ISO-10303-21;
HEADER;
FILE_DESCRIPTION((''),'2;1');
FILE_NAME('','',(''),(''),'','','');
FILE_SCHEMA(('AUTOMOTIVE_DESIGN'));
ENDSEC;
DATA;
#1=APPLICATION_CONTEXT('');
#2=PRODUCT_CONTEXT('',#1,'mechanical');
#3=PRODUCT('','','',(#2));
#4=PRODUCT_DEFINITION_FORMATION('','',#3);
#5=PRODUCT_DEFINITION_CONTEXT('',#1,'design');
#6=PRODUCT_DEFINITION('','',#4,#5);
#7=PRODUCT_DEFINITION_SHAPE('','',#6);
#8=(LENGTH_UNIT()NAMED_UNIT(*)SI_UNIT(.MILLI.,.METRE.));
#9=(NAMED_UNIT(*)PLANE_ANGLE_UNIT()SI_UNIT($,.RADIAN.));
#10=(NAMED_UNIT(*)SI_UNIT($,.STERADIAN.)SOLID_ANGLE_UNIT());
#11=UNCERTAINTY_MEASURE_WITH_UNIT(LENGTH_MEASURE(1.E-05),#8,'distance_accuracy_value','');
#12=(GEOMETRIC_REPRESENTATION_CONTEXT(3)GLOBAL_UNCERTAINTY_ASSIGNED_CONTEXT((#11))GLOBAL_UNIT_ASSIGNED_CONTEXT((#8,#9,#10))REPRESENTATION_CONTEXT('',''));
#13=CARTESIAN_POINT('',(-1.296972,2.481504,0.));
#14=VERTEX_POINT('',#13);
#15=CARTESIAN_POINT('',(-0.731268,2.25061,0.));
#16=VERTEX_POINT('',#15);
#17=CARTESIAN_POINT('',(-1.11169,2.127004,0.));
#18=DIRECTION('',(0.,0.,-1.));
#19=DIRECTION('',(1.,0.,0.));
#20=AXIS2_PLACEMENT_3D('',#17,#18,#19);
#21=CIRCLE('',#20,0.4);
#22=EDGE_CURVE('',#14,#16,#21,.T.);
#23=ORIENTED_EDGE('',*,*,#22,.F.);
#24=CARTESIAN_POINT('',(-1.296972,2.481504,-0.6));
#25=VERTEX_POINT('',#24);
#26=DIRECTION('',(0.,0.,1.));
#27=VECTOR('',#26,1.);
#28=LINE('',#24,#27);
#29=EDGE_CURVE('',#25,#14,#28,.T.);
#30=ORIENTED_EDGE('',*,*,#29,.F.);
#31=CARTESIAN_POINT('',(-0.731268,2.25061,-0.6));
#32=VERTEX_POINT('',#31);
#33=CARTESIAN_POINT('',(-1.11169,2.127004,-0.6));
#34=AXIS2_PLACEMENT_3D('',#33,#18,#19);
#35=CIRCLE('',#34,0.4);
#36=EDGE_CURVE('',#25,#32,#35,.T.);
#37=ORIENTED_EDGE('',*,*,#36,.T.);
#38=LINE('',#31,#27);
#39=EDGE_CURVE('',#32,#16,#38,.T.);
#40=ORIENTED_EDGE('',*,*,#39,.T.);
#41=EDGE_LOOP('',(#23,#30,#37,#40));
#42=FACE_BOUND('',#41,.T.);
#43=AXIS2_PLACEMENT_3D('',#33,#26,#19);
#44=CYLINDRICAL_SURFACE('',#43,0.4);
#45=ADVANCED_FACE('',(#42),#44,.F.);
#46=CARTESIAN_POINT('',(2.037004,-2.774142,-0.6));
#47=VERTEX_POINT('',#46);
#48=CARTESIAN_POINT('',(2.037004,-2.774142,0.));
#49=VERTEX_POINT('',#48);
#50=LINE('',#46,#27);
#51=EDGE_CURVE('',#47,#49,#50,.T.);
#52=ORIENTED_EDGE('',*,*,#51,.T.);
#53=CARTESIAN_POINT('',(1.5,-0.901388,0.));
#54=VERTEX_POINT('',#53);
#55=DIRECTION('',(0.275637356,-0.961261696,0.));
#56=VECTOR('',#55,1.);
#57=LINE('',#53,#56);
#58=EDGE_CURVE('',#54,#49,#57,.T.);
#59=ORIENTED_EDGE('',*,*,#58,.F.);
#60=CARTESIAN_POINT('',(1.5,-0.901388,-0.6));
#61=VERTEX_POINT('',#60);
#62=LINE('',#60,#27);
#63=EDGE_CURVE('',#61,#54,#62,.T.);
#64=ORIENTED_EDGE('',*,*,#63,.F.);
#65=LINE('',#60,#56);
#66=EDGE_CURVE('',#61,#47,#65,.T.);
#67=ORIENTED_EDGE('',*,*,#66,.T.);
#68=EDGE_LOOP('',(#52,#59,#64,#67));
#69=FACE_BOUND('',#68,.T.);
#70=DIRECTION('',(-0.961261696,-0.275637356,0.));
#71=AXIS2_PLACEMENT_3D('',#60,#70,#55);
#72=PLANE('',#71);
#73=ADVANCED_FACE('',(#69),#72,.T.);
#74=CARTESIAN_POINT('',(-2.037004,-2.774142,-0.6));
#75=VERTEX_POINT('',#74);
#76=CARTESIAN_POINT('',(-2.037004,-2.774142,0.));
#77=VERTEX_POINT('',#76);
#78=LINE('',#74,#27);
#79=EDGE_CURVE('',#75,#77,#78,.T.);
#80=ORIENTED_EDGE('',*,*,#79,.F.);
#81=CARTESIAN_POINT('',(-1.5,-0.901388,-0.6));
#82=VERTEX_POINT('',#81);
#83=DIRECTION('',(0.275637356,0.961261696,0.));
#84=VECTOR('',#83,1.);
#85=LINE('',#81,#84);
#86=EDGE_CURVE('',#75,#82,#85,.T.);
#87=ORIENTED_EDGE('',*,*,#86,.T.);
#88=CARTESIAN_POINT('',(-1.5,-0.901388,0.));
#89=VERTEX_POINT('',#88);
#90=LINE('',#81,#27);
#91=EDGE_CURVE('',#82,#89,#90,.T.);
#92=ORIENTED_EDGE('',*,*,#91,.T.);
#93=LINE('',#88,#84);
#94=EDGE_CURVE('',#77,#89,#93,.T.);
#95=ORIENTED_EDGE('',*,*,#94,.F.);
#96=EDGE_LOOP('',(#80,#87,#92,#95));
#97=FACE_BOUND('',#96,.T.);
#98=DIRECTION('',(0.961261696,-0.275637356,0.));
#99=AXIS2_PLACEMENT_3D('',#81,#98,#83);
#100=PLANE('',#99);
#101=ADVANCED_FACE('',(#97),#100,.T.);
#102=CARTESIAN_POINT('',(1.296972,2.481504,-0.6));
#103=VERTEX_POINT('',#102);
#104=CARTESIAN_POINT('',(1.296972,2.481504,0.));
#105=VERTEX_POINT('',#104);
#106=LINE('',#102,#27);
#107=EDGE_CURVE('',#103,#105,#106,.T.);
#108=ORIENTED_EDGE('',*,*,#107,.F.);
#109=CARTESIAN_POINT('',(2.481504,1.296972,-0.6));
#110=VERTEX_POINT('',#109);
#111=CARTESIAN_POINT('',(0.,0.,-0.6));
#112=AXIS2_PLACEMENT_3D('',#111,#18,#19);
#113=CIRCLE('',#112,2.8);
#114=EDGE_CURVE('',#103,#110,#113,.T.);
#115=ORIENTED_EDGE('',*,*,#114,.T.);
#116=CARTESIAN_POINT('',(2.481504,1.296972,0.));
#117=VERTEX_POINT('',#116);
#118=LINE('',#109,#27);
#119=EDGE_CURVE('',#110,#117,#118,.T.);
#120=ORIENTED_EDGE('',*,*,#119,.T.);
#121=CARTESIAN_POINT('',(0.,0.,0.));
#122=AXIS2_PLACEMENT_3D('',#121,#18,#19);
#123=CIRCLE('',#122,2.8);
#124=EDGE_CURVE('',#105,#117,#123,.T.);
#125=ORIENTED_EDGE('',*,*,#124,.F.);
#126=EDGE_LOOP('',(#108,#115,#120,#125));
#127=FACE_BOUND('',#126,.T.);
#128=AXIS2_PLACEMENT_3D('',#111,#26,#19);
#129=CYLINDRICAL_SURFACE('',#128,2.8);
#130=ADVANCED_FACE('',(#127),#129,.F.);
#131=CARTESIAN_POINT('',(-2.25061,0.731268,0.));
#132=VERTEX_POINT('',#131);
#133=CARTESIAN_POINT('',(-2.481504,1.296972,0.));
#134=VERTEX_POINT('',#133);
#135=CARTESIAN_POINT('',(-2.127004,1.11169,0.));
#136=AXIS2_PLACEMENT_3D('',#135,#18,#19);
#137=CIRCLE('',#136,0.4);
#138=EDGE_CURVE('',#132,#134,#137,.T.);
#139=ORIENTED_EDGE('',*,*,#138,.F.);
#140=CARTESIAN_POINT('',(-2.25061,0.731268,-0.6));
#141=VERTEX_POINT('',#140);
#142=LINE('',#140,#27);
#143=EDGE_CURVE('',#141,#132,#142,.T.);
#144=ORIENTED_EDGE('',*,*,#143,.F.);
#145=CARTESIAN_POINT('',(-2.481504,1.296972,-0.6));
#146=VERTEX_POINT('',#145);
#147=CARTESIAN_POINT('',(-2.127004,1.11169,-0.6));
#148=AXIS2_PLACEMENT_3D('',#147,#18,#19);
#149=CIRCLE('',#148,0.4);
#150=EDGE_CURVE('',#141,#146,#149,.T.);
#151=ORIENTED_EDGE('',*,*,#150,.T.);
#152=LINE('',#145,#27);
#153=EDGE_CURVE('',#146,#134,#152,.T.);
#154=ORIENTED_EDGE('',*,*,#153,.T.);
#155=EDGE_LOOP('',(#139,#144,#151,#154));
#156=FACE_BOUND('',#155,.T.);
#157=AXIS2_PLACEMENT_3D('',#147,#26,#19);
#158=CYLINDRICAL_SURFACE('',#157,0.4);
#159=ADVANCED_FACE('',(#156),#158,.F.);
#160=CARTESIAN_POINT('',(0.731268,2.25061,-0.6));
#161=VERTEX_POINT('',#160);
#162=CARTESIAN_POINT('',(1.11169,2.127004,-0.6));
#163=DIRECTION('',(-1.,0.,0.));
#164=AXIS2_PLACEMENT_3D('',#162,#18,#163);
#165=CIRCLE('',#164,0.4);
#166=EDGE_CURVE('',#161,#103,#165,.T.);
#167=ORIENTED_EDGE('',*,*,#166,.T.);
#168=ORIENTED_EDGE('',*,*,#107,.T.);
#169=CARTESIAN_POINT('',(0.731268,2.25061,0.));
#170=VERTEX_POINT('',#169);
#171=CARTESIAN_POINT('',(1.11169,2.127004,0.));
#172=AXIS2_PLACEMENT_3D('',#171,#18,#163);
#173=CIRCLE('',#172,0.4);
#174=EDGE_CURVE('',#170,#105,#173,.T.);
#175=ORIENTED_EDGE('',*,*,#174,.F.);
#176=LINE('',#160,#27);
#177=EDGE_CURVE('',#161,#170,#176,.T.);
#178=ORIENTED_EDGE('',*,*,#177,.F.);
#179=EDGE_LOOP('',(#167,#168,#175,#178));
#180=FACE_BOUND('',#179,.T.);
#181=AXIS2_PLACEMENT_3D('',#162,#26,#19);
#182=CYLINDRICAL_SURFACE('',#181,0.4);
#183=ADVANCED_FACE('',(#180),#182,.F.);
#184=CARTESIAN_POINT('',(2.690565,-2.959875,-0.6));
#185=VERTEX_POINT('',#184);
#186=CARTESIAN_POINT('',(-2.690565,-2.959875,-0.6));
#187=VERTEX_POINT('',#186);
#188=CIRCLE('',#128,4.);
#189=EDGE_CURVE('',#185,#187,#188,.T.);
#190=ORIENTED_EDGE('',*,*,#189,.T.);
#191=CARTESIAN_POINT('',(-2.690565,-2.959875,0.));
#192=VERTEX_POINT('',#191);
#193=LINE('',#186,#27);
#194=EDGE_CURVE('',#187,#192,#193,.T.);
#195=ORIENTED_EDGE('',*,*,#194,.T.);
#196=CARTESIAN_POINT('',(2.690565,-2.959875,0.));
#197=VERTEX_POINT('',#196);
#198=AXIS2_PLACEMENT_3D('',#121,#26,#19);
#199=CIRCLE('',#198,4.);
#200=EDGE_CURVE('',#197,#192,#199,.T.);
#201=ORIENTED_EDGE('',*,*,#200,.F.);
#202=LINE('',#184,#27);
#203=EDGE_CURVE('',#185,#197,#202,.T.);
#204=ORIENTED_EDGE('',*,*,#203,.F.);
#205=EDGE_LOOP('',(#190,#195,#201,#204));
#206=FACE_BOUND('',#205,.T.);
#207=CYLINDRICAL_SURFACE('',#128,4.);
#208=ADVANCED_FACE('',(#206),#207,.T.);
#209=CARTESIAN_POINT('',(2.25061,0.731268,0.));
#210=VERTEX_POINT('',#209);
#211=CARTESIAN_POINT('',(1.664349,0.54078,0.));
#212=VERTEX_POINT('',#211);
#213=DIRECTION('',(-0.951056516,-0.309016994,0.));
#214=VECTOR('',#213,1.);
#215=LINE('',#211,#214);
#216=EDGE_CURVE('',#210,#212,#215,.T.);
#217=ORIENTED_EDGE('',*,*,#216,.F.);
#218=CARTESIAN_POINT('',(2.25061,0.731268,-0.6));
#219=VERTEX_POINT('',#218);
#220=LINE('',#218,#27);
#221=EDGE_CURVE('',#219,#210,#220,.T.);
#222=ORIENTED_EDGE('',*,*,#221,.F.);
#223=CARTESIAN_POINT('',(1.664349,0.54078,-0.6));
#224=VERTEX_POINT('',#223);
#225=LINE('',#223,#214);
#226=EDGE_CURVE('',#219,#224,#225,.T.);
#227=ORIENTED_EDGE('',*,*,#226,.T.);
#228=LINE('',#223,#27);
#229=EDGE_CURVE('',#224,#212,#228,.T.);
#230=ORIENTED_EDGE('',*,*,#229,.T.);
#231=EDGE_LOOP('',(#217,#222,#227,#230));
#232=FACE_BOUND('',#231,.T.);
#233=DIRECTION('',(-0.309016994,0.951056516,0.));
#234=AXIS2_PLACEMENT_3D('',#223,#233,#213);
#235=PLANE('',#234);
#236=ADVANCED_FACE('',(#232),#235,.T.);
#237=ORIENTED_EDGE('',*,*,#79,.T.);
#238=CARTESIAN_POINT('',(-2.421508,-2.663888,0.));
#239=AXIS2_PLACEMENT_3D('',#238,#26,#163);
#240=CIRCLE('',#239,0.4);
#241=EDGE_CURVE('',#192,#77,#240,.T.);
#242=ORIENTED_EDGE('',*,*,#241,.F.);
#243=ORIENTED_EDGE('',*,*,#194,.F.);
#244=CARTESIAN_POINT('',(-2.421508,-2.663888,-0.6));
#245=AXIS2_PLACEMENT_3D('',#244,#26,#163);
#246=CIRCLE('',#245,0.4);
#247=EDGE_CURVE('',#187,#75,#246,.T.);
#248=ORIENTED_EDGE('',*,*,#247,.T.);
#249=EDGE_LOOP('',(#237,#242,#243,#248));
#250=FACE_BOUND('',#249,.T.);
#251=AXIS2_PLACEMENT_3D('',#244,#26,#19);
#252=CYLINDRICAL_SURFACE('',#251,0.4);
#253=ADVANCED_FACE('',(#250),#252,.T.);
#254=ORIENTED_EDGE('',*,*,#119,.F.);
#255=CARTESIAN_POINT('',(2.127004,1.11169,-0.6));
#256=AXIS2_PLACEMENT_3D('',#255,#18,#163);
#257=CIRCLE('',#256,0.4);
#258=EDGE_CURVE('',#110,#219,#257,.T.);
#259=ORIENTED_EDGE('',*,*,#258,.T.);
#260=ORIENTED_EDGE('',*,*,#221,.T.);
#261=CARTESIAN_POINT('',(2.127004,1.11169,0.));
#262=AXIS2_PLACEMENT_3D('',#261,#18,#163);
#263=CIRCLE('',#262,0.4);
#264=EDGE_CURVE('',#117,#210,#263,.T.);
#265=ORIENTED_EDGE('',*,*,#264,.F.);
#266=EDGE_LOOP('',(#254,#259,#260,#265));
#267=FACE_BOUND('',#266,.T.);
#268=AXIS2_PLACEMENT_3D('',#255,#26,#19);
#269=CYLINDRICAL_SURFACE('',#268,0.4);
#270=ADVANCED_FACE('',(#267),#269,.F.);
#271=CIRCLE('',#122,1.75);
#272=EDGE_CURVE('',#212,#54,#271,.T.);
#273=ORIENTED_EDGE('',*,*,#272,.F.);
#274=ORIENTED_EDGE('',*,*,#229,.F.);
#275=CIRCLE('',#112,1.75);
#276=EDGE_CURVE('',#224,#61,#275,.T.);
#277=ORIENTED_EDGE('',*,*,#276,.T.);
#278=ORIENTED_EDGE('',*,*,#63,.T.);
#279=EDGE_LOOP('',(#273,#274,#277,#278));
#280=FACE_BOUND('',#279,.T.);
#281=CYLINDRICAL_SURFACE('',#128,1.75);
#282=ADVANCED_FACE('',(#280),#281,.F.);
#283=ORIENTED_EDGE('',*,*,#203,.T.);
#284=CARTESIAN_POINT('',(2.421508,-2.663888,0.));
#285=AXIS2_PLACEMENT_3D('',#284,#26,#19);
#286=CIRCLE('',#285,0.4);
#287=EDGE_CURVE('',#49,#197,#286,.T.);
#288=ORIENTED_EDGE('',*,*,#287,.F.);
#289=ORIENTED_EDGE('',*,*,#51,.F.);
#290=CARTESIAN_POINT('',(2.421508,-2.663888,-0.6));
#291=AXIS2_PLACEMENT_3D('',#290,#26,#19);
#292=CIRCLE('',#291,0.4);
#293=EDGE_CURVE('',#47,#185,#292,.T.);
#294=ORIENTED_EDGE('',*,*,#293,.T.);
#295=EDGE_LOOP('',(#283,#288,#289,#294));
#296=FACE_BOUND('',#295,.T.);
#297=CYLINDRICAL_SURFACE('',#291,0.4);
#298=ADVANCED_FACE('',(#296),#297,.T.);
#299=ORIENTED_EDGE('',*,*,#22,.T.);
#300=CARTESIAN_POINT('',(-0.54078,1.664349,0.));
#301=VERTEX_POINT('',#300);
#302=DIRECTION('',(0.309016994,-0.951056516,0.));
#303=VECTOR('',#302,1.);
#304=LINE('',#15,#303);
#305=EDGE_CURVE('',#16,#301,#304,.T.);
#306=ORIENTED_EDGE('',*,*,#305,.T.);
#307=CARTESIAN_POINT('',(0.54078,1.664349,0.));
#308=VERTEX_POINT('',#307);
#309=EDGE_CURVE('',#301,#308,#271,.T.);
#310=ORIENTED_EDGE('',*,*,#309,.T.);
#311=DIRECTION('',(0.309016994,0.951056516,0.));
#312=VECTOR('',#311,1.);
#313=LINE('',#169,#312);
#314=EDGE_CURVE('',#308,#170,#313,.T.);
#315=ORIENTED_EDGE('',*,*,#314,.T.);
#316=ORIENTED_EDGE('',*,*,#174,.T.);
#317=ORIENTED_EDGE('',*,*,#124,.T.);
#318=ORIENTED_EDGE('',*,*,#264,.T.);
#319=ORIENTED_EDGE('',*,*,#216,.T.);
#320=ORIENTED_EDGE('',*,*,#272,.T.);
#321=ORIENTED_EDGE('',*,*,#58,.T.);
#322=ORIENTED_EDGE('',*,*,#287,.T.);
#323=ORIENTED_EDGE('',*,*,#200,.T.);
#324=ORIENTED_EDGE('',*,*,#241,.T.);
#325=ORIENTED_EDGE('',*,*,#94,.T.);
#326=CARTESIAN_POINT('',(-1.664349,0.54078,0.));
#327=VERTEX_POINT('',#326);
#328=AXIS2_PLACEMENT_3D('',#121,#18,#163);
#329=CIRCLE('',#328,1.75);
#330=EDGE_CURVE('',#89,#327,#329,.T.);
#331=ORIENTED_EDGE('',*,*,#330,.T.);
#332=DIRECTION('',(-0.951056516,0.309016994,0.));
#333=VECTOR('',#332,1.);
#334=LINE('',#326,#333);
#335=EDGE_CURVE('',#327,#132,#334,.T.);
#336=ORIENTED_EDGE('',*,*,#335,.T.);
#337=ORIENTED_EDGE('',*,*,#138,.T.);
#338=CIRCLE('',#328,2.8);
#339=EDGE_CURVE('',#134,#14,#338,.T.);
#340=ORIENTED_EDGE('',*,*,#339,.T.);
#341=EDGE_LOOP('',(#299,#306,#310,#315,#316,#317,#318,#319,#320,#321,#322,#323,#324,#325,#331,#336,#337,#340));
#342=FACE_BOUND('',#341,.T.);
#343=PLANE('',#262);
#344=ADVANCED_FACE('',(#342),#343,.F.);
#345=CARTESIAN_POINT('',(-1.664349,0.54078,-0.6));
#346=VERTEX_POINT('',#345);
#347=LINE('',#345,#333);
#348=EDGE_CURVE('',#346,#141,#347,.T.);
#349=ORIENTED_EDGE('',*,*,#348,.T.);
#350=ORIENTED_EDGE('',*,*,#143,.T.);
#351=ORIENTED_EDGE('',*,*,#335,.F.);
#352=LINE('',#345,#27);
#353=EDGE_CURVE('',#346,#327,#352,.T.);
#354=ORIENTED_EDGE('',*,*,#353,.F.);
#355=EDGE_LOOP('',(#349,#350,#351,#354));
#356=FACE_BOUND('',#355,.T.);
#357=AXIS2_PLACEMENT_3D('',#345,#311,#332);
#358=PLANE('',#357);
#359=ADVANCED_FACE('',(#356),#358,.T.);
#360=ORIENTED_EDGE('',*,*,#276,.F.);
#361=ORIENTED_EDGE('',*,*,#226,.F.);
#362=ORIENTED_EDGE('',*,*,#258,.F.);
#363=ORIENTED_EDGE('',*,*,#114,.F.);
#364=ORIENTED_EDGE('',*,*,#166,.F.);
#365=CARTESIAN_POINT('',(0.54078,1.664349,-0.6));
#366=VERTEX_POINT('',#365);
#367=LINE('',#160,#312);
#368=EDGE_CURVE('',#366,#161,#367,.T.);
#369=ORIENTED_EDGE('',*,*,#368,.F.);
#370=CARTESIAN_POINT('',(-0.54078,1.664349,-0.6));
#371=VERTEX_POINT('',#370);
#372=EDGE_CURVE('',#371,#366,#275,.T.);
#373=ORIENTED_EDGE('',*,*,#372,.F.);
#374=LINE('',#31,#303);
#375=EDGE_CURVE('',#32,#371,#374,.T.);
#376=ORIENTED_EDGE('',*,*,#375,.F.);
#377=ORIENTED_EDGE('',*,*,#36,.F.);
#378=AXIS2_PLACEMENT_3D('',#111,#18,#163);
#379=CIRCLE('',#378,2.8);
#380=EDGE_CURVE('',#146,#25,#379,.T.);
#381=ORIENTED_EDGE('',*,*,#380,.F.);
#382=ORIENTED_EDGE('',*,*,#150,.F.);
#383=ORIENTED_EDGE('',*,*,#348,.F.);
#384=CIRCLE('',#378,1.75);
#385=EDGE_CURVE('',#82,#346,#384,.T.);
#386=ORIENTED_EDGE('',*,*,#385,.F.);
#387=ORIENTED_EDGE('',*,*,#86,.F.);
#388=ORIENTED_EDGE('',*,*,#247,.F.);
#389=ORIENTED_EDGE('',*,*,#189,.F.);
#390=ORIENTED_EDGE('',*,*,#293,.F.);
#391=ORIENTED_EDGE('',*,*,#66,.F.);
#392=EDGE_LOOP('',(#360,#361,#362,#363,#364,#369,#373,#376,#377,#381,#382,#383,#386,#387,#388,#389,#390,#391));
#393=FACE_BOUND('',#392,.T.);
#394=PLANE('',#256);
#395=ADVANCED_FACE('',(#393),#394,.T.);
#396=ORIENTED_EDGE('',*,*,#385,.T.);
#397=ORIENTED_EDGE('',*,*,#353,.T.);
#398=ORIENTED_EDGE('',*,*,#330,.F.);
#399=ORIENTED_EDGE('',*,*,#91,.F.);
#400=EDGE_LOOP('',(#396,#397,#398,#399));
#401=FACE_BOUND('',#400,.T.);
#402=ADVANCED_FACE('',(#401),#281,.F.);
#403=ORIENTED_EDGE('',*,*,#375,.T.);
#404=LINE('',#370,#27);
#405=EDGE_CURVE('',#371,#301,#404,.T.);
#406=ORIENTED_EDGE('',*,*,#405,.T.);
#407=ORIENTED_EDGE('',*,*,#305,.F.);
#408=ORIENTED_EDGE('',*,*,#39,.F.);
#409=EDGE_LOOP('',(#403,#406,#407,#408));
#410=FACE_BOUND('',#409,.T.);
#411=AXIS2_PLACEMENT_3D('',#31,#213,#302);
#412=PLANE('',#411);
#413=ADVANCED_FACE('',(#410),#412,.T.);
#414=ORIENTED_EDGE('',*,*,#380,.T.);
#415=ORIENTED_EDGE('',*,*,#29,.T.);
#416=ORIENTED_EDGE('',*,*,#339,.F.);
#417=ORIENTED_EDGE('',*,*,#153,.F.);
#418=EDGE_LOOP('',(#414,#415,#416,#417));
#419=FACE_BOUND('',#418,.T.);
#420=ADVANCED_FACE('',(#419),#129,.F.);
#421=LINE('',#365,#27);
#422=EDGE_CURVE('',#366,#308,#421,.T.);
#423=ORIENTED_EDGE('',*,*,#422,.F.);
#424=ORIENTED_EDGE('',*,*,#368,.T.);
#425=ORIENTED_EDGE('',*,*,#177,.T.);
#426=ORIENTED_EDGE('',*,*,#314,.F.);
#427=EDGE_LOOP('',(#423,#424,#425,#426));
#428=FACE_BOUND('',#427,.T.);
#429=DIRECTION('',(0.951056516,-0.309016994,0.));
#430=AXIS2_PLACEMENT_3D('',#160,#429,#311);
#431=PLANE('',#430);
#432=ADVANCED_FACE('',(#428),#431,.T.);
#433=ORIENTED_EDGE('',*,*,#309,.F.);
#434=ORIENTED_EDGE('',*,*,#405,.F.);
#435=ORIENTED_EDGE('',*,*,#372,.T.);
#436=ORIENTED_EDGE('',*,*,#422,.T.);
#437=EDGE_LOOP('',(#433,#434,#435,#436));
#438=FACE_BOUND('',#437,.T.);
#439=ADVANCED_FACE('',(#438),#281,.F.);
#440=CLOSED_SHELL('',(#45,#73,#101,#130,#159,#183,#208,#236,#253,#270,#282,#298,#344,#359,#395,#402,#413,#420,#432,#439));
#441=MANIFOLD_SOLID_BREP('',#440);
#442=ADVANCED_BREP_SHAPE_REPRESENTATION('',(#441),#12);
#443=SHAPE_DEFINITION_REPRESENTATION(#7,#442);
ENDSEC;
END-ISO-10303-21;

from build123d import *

# Parameters (mm, degrees)
BODY_DEPTH = 0.6


with BuildPart() as part:
    # Sketch1 → Body (new body)
    with BuildSketch(Plane.XY):
        with BuildLine():
            Line((0.731267677, 2.250610491), (0.54077974, 1.664348904))
            ThreePointArc((0.54077974, 1.664348904), (0, 1.75), (-0.54077974, 1.664348904))
            Line((-0.54077974, 1.664348904), (-0.731267677, 2.250610491))
            ThreePointArc((-0.731267677, 2.250610491), (-0.960534798, 2.497344104), (-1.296971998, 2.481504309))
            ThreePointArc((-1.296971998, 2.481504309), (-1.979898987, 1.979898987), (-2.481504309, 1.296971998))
            ThreePointArc((-2.481504309, 1.296971998), (-2.497344104, 0.960534798), (-2.250610491, 0.731267677))
            Line((-2.250610491, 0.731267677), (-1.664348904, 0.54077974))
            ThreePointArc((-1.664348904, 0.54077974), (-1.738746046, -0.198146883), (-1.5, -0.901387819))
            Line((-1.5, -0.901387819), (-2.037003761, -2.774142492))
            ThreePointArc((-2.037003761, -2.774142492), (-2.312163951, -3.048652131), (-2.690564933, -2.959875055))
            ThreePointArc((-2.690564933, -2.959875055), (0, 4), (2.690564933, -2.959875055))
            ThreePointArc((2.690564933, -2.959875055), (2.312163951, -3.048652131), (2.037003761, -2.774142492))
            Line((2.037003761, -2.774142492), (1.5, -0.901387819))
            ThreePointArc((1.5, -0.901387819), (1.738746046, -0.198146883), (1.664348904, 0.54077974))
            Line((1.664348904, 0.54077974), (2.250610491, 0.731267677))
            ThreePointArc((2.250610491, 0.731267677), (2.497344104, 0.960534798), (2.481504309, 1.296971998))
            ThreePointArc((2.481504309, 1.296971998), (1.979898987, 1.979898987), (1.296971998, 2.481504309))
            ThreePointArc((1.296971998, 2.481504309), (0.960534798, 2.497344104), (0.731267677, 2.250610491))
        make_face()
    extrude(amount=-BODY_DEPTH)


solid = part.part
